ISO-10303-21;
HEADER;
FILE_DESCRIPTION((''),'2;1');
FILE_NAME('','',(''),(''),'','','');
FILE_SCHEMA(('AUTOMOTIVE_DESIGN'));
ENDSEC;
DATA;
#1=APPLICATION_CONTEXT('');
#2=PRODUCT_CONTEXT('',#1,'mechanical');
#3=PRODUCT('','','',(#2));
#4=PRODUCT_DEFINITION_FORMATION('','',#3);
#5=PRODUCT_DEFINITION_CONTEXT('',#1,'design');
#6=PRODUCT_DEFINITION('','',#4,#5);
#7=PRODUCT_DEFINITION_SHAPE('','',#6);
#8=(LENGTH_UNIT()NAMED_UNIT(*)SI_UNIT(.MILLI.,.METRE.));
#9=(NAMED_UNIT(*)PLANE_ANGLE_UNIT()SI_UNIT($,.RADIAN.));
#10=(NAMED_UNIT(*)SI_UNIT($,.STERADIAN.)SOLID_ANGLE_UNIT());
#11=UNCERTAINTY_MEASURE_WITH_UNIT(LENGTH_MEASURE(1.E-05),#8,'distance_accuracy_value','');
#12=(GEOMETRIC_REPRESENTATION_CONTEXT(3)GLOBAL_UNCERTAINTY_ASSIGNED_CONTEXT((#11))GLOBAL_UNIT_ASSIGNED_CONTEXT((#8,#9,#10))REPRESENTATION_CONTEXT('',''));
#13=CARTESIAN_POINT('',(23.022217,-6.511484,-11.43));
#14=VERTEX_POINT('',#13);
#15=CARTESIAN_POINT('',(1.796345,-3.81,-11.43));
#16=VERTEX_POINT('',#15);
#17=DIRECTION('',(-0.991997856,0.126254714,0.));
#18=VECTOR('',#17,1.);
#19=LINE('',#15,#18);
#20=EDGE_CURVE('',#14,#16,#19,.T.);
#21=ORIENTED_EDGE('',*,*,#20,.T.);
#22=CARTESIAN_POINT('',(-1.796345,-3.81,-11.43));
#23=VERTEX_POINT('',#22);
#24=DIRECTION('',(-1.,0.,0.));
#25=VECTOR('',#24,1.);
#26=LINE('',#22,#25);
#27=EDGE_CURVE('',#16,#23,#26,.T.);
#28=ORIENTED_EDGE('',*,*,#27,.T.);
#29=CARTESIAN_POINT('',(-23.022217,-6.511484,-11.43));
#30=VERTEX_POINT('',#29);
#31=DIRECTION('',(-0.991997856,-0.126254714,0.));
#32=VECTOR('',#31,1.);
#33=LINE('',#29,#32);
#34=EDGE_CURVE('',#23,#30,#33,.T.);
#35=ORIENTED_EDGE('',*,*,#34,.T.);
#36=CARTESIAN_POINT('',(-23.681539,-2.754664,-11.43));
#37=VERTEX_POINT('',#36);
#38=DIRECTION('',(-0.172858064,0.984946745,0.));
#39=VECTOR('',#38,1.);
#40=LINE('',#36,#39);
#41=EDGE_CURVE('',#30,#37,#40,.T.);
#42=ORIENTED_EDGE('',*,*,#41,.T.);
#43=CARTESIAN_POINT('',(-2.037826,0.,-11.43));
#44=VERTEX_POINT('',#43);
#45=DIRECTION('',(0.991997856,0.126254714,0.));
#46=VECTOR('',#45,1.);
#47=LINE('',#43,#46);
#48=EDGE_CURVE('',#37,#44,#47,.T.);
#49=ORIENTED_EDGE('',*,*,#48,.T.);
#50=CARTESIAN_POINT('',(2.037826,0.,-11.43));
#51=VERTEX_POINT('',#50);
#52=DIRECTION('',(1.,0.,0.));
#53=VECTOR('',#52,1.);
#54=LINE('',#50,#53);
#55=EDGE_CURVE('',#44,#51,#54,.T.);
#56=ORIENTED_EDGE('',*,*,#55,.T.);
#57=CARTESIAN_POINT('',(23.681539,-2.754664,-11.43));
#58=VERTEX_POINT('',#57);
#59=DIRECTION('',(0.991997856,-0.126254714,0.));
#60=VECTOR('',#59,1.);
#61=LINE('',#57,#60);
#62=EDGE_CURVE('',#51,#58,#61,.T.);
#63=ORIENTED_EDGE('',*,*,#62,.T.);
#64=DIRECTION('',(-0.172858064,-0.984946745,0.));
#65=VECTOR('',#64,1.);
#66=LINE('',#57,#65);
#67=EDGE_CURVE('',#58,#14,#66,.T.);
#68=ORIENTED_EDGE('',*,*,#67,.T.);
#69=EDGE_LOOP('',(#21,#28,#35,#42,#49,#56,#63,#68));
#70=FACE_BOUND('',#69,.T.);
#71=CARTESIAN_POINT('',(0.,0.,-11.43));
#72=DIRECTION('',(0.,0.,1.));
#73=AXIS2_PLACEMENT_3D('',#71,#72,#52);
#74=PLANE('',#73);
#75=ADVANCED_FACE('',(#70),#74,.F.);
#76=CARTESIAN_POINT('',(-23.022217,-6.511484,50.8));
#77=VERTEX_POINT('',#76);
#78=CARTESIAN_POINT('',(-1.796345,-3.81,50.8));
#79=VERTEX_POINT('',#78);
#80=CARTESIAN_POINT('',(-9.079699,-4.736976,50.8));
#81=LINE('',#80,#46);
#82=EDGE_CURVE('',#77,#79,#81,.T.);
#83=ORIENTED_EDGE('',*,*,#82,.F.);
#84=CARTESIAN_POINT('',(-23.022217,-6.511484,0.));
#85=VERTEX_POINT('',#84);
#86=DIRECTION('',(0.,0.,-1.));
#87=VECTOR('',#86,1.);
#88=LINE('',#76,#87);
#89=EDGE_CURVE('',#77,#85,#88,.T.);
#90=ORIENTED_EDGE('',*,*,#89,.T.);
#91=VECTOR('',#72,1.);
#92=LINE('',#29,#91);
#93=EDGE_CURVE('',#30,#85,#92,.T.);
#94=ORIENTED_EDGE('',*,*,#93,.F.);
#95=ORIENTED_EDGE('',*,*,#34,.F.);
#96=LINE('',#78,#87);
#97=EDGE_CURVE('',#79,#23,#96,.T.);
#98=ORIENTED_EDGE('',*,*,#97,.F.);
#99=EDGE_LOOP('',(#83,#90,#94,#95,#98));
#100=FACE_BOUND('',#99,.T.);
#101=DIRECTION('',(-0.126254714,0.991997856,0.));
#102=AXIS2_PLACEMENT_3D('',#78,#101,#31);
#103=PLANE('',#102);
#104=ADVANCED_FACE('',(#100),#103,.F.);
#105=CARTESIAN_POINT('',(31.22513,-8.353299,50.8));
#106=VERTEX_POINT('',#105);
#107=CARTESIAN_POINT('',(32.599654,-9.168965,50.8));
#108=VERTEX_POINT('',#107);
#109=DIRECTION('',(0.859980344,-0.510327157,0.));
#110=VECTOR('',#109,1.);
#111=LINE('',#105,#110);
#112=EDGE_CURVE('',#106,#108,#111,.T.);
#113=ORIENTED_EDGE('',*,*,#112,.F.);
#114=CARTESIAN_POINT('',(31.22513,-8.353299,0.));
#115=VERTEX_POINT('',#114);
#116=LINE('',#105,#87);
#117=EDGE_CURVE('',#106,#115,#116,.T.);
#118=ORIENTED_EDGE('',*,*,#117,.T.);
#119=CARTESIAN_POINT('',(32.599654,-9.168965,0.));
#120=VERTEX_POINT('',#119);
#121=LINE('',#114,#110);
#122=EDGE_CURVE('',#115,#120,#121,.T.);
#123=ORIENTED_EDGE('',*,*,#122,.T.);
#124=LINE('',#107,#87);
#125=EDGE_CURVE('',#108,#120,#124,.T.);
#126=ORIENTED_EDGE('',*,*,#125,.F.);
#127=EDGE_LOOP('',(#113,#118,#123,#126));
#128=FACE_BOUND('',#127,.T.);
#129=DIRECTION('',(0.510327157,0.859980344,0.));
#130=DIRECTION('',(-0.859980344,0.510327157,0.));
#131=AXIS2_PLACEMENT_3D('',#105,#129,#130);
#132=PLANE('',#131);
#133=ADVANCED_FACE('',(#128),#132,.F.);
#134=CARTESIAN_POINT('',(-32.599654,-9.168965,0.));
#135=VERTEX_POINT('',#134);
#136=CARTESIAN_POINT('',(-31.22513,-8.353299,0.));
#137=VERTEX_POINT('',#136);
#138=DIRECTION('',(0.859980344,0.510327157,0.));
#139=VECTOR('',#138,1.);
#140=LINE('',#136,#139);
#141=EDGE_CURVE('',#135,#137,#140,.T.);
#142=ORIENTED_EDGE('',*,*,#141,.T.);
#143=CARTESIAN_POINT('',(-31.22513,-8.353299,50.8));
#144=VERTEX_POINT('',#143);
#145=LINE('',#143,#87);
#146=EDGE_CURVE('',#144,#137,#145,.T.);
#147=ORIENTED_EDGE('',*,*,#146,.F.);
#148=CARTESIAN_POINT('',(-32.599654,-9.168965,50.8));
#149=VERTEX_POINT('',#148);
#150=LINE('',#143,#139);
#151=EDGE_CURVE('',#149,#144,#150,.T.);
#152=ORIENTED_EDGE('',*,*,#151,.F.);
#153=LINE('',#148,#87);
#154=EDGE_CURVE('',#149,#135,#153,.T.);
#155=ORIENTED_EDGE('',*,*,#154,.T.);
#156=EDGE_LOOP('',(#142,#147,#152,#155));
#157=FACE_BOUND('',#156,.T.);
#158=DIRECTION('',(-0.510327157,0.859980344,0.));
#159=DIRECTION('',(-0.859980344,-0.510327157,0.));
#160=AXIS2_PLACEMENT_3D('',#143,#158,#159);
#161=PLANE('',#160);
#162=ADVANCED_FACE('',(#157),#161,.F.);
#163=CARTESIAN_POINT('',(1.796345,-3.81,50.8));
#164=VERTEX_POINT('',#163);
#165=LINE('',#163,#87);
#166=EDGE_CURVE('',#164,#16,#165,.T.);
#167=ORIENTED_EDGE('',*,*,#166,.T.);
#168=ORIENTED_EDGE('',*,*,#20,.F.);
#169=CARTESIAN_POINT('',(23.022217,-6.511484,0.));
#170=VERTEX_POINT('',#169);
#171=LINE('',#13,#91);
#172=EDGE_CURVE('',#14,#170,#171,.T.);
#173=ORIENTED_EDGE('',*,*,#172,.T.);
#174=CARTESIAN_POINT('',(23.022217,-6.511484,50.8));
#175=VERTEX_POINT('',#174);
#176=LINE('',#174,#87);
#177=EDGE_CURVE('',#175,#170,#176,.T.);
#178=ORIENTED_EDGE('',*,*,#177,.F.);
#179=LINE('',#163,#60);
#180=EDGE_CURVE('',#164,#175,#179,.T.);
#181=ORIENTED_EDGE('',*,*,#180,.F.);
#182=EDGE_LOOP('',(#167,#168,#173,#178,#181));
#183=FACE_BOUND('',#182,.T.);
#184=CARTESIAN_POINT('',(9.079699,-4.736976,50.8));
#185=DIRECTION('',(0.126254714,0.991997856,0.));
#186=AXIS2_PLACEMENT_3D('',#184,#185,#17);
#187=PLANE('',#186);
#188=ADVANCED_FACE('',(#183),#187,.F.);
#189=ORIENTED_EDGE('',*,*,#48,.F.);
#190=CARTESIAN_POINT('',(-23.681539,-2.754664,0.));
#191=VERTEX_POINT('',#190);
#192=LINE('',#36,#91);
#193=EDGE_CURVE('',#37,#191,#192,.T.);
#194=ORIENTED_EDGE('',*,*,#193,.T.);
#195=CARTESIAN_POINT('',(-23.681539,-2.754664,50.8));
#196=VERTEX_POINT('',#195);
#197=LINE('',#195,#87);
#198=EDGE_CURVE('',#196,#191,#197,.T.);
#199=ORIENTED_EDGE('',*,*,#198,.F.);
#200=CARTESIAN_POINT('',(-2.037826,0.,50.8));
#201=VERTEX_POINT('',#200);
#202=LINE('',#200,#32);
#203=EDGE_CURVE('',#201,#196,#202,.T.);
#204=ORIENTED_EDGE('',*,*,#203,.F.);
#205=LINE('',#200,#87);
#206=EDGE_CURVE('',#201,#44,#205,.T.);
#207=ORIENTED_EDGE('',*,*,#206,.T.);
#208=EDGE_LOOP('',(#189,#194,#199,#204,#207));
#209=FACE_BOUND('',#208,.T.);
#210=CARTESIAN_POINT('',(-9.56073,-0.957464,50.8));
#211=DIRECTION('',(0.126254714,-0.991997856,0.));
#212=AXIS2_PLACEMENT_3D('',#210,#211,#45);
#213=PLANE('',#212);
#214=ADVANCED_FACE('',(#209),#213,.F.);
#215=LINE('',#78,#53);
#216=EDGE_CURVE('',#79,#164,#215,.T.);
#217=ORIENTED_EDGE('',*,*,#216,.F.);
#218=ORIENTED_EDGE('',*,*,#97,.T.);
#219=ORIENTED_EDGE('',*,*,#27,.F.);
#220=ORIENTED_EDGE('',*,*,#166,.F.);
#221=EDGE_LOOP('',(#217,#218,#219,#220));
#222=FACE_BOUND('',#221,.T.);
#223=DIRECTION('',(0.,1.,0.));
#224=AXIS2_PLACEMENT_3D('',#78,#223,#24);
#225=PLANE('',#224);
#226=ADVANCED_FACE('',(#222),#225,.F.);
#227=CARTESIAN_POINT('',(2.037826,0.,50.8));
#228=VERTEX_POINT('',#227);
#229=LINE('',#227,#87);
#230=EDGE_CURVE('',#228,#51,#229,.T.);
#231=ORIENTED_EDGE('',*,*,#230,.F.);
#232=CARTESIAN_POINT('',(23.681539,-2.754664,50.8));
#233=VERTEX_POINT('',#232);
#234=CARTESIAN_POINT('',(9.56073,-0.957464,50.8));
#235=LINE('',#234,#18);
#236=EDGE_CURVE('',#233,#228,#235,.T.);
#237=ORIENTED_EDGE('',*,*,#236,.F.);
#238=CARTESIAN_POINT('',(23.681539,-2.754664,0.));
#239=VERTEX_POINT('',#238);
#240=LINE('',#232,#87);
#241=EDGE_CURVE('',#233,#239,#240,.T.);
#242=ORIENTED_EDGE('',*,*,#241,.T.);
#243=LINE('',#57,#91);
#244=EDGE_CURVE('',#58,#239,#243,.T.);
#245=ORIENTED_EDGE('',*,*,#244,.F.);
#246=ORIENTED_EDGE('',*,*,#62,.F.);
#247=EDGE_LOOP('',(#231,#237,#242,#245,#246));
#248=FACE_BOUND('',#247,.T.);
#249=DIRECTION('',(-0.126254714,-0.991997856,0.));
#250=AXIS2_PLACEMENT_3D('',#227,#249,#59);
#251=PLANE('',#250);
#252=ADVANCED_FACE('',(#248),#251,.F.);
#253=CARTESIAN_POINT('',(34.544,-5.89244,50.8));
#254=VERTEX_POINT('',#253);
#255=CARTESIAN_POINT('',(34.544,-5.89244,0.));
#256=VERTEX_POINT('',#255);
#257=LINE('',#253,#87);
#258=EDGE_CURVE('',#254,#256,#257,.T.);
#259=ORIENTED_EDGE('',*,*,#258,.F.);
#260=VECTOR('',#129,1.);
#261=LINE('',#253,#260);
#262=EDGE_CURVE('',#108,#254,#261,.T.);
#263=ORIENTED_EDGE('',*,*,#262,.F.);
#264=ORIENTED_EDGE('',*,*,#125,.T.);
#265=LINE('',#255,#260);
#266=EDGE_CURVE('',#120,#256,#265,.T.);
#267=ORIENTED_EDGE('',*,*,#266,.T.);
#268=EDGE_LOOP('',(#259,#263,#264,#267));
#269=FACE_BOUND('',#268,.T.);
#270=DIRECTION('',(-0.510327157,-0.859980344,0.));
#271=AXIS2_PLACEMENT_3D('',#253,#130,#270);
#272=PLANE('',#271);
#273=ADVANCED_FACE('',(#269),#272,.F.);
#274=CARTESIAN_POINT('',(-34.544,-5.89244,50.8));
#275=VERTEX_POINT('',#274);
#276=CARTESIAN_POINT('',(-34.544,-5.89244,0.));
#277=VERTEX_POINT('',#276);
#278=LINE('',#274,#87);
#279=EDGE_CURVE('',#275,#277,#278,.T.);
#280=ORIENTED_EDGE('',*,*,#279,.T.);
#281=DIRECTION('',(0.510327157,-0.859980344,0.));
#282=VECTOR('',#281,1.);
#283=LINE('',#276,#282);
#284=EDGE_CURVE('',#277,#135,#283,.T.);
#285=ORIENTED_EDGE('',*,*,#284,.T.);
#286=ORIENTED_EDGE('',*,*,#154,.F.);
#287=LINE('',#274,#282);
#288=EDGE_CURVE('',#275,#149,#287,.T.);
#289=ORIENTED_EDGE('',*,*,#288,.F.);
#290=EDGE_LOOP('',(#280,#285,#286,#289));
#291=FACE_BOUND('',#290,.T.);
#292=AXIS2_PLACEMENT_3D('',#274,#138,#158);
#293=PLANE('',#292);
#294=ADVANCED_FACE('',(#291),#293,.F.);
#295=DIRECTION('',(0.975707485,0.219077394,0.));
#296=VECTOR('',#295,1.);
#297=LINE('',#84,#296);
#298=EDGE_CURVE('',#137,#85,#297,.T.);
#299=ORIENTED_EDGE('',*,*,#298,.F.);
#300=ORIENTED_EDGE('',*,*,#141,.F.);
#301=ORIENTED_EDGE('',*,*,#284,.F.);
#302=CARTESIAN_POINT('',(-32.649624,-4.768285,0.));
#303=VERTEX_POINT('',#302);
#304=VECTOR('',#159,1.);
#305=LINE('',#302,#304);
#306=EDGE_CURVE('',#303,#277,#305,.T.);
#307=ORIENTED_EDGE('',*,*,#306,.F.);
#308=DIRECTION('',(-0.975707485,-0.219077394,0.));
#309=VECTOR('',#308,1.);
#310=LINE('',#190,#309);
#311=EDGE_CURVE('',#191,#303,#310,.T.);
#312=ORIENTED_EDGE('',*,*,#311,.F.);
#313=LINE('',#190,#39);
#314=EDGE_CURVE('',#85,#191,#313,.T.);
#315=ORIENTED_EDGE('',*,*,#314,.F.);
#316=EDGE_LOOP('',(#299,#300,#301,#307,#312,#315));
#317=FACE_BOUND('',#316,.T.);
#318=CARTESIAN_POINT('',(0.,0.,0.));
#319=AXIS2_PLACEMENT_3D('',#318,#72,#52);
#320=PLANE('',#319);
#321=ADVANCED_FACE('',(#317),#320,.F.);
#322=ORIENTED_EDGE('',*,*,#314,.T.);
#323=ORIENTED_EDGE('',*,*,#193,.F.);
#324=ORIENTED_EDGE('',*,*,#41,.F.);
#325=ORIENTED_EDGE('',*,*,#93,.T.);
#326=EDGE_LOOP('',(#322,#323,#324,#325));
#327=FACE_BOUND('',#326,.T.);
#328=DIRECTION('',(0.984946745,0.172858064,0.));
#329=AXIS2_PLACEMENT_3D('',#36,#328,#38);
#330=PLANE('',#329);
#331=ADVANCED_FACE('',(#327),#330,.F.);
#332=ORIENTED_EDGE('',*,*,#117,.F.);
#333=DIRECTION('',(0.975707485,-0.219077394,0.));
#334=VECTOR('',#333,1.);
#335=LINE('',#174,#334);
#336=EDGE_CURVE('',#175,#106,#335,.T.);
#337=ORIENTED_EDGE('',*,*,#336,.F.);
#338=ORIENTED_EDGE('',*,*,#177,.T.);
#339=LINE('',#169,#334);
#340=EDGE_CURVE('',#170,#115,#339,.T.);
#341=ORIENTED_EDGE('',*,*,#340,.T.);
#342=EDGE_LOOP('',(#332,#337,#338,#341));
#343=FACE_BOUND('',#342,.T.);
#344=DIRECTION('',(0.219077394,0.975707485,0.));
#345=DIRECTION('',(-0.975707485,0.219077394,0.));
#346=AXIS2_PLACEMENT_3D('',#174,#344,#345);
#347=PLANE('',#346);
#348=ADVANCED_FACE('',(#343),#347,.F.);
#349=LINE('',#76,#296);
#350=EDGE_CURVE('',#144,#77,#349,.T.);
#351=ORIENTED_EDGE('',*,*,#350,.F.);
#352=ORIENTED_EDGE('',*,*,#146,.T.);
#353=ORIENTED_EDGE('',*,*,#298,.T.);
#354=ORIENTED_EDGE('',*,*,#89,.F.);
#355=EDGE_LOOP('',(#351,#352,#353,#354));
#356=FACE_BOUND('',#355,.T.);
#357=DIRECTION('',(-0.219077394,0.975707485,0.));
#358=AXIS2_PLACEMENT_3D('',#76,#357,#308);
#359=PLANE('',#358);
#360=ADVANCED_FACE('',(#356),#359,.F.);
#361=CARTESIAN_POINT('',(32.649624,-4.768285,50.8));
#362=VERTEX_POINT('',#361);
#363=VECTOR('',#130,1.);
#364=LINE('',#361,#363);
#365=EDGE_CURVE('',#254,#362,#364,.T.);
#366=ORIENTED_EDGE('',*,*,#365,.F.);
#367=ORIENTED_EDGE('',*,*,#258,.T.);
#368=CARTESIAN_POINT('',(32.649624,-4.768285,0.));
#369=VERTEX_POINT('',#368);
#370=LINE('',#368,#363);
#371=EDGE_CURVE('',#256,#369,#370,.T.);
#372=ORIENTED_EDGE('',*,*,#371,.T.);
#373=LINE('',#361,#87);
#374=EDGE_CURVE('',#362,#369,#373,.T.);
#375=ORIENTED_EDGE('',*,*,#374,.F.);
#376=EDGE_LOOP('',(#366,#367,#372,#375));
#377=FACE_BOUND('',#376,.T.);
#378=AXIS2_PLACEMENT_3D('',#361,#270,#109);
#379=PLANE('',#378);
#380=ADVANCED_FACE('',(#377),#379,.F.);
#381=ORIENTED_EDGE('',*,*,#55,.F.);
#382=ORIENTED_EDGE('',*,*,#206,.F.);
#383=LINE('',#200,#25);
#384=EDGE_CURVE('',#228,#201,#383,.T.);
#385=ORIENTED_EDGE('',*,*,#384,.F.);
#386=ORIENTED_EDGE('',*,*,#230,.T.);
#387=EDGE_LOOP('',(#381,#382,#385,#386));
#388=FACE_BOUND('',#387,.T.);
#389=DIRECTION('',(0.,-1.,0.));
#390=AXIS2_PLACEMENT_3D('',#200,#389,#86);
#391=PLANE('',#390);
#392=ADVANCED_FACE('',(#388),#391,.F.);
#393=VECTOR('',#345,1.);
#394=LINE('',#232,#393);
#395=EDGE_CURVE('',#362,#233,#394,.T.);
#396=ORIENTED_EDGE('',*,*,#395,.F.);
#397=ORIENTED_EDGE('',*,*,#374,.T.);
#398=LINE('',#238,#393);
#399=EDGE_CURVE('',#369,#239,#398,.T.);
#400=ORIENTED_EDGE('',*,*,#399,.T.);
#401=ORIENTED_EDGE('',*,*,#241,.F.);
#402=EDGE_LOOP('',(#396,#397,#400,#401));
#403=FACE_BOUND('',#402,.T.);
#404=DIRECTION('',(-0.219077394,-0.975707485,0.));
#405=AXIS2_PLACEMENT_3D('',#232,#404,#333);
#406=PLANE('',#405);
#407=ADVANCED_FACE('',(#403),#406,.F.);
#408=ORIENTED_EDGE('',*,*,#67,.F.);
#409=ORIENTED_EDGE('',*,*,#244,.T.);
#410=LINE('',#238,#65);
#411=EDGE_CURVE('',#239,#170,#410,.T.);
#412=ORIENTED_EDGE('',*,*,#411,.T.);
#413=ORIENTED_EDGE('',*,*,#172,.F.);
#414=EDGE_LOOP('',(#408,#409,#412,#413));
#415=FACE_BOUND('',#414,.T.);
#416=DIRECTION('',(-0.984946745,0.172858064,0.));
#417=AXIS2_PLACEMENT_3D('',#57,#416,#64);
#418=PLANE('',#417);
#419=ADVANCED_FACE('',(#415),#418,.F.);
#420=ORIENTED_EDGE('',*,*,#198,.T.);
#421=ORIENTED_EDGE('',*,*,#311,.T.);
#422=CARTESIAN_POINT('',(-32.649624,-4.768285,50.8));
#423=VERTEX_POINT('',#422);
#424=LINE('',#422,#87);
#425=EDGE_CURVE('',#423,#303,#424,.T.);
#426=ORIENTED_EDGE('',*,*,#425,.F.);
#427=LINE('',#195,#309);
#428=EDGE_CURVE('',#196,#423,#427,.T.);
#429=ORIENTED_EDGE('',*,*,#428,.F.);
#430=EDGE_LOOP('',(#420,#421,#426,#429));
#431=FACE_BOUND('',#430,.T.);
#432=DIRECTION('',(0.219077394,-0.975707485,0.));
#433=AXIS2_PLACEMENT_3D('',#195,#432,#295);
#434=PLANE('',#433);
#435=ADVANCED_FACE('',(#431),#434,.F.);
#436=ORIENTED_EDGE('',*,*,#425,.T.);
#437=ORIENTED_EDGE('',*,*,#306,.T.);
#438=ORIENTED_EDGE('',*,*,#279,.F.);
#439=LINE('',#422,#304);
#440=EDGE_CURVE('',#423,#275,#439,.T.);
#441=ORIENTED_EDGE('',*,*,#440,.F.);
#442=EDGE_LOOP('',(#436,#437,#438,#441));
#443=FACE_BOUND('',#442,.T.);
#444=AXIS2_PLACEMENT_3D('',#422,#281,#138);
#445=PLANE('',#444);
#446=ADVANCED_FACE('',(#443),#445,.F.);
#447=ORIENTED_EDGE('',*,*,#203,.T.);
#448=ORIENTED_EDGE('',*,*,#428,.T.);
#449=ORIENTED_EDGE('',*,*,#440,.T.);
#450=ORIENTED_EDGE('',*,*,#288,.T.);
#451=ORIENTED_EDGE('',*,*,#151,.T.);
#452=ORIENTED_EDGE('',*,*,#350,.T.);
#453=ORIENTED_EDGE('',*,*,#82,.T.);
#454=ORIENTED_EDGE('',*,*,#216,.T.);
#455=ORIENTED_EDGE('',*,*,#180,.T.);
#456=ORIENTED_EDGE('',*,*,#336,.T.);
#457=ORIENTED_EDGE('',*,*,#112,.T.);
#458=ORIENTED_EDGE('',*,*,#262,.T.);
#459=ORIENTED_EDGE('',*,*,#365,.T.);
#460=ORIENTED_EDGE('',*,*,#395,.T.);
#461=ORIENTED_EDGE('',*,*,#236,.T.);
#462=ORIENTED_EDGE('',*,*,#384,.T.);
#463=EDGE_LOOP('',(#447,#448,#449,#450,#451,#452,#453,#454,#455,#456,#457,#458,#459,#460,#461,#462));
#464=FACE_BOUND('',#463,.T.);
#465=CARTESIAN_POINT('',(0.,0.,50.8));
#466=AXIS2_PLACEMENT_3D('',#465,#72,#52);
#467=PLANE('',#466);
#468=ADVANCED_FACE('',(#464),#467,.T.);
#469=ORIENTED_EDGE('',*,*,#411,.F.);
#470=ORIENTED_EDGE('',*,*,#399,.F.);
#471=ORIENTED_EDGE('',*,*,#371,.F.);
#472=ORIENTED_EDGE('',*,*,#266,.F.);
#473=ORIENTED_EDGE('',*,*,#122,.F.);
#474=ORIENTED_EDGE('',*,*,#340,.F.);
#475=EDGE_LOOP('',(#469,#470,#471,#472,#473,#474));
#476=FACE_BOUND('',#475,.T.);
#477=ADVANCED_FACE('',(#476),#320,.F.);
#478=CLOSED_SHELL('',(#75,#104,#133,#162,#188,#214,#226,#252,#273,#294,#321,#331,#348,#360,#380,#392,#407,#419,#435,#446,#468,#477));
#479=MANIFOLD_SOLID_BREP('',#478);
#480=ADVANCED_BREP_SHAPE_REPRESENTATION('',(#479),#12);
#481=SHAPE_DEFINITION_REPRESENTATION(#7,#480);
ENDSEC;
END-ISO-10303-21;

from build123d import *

# Parameters (mm, degrees)
BOSS_EXTRUDE1_DEPTH = 50.8
BOSS_EXTRUDE2_DEPTH = 11.43


with BuildPart() as part:
    # Sketch1 → Boss-Extrude1 (new body)
    with BuildSketch(Plane.XY):
        Polygon((-2.037826091, 0), (2.037826091, 0), (4.901371199, -0.364452471), (9.560729749, -0.957463816), (23.681538514, -2.754663947), (32.64962373, -4.768284593), (34.544, -5.892440119), (32.599653531, -9.168965231), (31.225129901, -8.353299221), (23.022216919, -6.511484102), (9.079699287, -4.736975649), (4.420340738, -4.143964304), (1.796344675, -3.81), (-1.796344675, -3.81), (-4.420340738, -4.143964304), (-9.079699287, -4.736975649), (-23.022216919, -6.511484102), (-31.225129901, -8.353299221), (-32.599653531, -9.168965231), (-34.544, -5.892440119), (-32.64962373, -4.768284593), (-23.681538514, -2.754663947), (-9.560729749, -0.957463816), (-4.901371199, -0.364452471), align=None)
    extrude(amount=BOSS_EXTRUDE1_DEPTH)

    # Sketch2 → Boss-Extrude2 (add)
    with BuildSketch(Plane(origin=(0, 0, 0), x_dir=(-1, 0, 0), z_dir=(0, 0, -1))):
        Polygon((23.022216919, -6.511484102), (1.796344675, -3.81), (-1.796344675, -3.81), (-23.022216919, -6.511484102), (-23.681538514, -2.754663947), (-2.037826091, 0), (2.037826091, 0), (23.681538514, -2.754663947), align=None)
    extrude(amount=BOSS_EXTRUDE2_DEPTH)


solid = part.part
